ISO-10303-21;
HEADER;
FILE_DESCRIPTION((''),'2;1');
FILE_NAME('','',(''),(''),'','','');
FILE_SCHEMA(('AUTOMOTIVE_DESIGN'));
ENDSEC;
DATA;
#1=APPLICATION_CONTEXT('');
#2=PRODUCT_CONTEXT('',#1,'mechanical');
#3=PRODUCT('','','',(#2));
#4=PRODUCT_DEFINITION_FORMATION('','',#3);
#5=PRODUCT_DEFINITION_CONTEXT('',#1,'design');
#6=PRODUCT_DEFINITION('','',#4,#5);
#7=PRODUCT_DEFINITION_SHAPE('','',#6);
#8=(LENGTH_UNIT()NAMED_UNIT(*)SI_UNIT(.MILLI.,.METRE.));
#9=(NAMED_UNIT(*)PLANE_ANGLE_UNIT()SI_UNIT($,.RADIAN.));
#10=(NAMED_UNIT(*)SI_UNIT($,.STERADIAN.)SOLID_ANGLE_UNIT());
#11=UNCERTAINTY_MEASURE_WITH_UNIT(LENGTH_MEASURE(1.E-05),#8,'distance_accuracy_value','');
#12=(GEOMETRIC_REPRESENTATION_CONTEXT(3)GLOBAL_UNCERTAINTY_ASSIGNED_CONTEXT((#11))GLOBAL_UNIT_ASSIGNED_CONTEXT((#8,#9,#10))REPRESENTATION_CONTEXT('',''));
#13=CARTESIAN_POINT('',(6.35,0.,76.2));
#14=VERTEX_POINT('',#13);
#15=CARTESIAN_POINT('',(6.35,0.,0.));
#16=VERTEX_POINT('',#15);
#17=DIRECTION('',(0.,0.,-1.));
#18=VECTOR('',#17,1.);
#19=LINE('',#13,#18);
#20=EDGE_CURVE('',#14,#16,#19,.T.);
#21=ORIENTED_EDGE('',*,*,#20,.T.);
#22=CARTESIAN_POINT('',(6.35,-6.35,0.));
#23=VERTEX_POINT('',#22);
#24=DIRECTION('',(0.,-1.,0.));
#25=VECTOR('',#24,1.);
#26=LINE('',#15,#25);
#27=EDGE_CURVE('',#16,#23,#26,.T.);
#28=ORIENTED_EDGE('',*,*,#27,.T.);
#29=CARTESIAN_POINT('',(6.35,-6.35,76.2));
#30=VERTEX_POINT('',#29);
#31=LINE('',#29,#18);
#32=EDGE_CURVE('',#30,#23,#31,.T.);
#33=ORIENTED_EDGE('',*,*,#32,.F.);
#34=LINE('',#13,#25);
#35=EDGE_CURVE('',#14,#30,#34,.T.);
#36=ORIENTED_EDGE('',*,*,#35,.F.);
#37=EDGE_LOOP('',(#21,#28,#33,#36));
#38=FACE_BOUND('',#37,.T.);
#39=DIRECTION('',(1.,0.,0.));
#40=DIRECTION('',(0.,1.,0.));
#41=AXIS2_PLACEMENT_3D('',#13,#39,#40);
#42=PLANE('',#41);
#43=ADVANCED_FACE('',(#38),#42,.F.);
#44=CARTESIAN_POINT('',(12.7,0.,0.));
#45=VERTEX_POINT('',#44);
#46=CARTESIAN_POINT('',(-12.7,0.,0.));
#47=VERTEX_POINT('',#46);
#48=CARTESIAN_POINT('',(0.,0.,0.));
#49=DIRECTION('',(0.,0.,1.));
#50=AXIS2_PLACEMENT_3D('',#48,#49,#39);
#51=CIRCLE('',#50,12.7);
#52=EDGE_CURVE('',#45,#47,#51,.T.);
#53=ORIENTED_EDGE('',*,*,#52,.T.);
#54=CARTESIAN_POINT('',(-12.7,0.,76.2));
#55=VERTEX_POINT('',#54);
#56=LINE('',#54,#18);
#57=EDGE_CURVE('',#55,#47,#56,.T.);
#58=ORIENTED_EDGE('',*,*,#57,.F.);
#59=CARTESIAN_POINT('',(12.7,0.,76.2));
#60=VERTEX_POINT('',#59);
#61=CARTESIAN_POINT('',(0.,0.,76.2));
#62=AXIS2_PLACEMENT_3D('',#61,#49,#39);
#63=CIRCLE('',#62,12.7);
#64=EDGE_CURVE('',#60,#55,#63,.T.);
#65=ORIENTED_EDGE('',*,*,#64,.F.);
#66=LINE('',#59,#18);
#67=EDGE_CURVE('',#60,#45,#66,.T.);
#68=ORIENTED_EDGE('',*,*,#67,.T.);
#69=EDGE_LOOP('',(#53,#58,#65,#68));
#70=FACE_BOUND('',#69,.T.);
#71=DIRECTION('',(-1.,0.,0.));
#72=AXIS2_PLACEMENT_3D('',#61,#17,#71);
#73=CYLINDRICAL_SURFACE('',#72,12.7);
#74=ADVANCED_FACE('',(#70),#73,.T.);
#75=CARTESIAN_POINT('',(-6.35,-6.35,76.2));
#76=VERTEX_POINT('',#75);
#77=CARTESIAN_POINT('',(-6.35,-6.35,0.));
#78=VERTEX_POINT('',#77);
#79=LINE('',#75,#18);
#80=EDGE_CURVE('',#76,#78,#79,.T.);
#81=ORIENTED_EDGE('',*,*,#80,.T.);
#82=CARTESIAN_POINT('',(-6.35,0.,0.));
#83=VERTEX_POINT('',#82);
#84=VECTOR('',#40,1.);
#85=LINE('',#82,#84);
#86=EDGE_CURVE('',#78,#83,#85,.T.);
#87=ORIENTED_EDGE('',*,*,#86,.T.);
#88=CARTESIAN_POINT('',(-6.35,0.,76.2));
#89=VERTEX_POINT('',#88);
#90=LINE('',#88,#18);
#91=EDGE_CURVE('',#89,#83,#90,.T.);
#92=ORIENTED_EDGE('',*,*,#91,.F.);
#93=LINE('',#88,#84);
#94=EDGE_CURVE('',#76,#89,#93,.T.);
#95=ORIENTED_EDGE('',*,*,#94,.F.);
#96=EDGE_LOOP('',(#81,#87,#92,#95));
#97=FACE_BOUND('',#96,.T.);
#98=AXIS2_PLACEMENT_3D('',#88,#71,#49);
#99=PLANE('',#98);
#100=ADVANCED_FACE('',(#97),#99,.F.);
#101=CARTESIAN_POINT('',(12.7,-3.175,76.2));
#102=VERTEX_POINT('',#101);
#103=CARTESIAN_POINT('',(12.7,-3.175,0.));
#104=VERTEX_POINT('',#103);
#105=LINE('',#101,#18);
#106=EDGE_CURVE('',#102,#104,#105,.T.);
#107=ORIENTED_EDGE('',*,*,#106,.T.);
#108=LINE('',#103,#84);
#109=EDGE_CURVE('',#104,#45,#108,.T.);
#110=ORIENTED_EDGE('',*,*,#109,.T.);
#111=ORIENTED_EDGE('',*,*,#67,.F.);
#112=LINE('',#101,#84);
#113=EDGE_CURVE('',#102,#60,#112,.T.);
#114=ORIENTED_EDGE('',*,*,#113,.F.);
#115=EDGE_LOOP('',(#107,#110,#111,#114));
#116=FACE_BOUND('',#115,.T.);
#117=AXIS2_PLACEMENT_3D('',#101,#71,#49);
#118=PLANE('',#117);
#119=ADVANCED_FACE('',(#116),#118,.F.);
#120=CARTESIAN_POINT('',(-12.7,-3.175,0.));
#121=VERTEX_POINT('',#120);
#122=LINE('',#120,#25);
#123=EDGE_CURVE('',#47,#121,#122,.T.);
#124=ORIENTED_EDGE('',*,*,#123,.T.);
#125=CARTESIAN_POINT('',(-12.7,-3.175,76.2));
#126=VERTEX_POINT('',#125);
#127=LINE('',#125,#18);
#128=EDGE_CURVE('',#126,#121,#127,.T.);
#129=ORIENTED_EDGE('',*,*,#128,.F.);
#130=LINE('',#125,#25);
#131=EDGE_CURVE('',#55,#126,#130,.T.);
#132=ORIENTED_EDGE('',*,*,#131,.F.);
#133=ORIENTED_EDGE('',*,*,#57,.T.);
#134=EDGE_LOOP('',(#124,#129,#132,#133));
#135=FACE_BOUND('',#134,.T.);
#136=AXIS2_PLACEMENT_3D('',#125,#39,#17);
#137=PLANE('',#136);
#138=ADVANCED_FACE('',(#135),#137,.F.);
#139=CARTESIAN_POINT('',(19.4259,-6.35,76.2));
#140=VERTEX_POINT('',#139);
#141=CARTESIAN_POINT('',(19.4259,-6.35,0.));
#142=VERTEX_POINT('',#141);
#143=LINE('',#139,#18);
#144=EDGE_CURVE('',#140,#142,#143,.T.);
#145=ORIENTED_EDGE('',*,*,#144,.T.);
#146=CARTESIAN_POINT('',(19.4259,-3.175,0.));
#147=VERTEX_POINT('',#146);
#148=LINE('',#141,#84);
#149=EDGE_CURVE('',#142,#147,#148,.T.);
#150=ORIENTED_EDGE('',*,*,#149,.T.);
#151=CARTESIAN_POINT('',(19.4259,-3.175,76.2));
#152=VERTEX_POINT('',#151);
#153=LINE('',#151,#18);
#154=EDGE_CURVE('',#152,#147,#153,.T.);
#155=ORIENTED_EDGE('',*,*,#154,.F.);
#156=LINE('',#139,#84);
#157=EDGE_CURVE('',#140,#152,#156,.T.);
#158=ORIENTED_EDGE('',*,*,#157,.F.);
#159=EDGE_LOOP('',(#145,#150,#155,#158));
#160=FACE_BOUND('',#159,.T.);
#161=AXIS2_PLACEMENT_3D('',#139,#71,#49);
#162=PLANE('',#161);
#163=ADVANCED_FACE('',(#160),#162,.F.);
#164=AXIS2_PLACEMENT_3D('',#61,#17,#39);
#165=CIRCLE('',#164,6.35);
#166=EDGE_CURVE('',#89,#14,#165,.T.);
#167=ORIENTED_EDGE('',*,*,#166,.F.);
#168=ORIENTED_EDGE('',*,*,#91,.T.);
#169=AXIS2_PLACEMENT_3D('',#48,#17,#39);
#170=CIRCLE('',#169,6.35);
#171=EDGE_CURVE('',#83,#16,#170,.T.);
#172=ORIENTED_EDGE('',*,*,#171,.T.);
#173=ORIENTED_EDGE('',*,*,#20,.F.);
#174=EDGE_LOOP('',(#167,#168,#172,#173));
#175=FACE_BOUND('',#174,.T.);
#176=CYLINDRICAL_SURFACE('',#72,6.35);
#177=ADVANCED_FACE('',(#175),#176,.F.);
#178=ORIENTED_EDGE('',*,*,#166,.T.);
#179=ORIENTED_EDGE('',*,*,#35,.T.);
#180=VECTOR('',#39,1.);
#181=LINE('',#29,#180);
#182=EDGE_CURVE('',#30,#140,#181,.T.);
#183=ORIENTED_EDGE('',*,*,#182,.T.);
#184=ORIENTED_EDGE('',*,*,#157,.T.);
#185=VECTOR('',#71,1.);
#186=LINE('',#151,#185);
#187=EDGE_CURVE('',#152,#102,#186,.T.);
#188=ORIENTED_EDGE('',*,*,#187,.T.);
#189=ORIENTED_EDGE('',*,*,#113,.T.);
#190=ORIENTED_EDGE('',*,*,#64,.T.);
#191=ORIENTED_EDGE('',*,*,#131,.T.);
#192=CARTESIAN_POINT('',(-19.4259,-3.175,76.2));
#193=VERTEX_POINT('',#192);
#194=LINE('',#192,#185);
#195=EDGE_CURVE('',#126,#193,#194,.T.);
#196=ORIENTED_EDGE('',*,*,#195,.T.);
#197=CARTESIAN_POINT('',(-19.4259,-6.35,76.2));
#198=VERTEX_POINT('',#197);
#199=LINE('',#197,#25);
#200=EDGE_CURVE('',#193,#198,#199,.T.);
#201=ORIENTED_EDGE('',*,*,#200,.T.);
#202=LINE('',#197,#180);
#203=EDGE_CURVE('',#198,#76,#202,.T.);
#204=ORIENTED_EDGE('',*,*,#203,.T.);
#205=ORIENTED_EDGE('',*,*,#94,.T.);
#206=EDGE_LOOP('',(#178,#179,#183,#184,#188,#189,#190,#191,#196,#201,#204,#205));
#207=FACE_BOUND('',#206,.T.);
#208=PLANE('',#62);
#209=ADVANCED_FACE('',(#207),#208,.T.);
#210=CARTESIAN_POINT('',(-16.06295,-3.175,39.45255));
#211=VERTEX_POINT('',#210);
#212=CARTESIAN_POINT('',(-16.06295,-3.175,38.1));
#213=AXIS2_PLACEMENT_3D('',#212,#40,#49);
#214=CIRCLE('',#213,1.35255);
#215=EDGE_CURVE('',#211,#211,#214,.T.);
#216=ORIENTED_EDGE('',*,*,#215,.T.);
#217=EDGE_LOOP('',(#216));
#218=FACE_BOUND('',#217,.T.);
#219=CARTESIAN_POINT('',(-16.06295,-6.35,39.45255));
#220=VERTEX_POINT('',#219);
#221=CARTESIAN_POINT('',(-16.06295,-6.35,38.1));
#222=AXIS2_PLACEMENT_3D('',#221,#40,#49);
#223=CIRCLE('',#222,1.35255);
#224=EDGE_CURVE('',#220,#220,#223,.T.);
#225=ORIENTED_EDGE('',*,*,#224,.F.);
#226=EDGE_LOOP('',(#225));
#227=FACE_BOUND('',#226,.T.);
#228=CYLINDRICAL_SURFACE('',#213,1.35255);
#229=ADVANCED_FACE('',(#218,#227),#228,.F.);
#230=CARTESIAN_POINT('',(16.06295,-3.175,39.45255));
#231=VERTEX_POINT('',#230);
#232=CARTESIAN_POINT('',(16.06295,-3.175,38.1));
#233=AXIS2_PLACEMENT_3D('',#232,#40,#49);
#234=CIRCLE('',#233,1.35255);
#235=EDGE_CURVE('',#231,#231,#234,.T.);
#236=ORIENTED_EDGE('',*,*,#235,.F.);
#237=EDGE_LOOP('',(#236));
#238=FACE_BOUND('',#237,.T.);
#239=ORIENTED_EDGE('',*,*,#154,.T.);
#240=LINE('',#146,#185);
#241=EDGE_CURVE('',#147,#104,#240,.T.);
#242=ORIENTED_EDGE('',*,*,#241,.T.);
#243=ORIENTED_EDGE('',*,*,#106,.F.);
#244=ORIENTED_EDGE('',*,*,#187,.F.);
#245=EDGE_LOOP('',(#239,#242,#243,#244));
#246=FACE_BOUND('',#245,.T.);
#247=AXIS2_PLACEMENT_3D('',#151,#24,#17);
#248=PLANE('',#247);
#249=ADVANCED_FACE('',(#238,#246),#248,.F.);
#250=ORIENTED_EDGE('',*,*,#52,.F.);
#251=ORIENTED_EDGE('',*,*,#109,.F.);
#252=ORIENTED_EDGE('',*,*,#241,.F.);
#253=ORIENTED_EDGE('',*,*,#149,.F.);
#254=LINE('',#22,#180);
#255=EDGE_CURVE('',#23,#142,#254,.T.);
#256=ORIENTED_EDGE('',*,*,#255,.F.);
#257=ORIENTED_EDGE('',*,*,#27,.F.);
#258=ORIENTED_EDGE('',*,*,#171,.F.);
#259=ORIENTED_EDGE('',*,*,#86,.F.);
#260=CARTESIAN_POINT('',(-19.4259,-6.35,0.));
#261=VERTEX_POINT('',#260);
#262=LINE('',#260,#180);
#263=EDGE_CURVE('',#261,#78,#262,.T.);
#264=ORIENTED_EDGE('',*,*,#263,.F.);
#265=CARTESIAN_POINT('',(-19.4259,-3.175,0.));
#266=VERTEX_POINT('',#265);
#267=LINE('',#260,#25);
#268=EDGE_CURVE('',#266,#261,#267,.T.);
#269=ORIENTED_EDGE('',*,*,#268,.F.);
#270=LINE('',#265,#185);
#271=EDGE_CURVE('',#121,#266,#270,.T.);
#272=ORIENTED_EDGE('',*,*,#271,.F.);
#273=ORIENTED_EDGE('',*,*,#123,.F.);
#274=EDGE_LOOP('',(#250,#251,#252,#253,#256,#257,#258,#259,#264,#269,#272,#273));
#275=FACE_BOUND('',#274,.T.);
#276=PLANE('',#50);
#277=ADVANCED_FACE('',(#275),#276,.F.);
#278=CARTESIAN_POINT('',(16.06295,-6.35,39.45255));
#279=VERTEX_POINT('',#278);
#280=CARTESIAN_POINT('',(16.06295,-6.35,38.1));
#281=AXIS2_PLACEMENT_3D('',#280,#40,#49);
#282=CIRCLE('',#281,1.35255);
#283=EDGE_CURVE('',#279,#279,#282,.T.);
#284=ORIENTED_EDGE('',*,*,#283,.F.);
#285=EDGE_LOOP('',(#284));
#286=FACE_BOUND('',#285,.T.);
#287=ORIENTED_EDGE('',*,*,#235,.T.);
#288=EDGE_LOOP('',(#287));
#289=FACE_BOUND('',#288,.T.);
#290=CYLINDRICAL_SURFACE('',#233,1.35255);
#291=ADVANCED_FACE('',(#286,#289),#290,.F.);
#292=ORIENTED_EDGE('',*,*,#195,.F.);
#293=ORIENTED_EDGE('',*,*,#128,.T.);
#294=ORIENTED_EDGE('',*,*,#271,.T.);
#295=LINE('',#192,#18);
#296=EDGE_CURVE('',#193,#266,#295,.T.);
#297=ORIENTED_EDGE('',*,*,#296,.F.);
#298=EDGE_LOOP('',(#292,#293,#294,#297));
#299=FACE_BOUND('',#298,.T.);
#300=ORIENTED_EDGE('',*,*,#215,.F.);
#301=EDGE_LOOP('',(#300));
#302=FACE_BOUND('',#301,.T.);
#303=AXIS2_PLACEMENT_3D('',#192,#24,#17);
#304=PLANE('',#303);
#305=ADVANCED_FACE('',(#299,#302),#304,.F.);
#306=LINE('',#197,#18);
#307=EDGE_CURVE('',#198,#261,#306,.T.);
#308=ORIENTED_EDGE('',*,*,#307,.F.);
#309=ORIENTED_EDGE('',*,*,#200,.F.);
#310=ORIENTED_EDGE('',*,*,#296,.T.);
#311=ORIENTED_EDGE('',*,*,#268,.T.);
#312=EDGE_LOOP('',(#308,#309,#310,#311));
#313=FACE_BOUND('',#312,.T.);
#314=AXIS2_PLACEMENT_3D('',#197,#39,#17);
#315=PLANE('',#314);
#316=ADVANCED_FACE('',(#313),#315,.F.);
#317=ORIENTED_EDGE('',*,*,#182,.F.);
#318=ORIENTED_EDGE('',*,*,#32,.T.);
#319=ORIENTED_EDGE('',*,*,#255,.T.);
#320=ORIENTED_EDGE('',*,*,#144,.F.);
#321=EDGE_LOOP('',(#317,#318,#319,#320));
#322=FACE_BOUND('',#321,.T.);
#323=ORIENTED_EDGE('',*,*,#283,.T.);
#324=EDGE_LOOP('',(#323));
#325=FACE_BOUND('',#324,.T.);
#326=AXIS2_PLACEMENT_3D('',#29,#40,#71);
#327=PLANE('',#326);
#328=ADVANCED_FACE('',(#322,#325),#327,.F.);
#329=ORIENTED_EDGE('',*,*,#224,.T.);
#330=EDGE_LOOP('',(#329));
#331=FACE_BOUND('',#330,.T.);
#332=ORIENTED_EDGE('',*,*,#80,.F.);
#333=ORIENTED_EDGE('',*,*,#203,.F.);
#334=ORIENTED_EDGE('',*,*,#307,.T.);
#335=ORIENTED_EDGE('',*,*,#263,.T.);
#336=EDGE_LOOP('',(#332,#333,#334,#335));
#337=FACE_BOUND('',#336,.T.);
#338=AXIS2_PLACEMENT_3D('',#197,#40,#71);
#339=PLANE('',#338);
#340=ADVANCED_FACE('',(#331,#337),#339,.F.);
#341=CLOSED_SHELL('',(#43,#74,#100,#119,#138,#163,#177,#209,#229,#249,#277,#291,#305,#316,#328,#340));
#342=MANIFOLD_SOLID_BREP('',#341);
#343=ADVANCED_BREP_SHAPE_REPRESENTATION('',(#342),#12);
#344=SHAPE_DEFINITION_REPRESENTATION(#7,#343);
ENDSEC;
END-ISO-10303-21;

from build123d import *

# Parameters (mm, degrees)
BOSS_EXTRUDE1_DEPTH       = 76.2
TAP_DRILL_FOR_6_32_TAP1_D = 2.7051


with BuildPart() as part:
    # Sketch2 → Boss-Extrude1 (new body)
    with BuildSketch(Plane.XY):
        with BuildLine():
            Line((-19.425899611, -6.35), (-6.35, -6.35))
            Line((-6.35, -6.35), (-6.35, 0))
            ThreePointArc((-6.35, 0), (0, 6.35), (6.35, 0))
            Line((6.35, 0), (6.35, -6.35))
            Line((6.35, -6.35), (19.425899611, -6.35))
            Line((19.425899611, -6.35), (19.425899611, -3.175))
            Line((19.425899611, -3.175), (12.7, -3.175))
            Line((12.7, -3.175), (12.7, 0))
            ThreePointArc((12.7, 0), (0, 12.7), (-12.7, 0))
            Line((-12.7, 0), (-12.7, -3.175))
            Line((-12.7, -3.175), (-19.425899611, -3.175))
            Line((-19.425899611, -3.175), (-19.425899611, -6.35))
        make_face()
    extrude(amount=BOSS_EXTRUDE1_DEPTH)

    # Tap Drill for #6-32 Tap1 (through all)
    with Locations(Plane(origin=(0, -3.175, 0), x_dir=(1, 0, 0), z_dir=(0, 1, 0))):
        with Locations((-16.062949805, -38.1), (16.062949805, -38.1)):
            Hole(TAP_DRILL_FOR_6_32_TAP1_D / 2)


solid = part.part
